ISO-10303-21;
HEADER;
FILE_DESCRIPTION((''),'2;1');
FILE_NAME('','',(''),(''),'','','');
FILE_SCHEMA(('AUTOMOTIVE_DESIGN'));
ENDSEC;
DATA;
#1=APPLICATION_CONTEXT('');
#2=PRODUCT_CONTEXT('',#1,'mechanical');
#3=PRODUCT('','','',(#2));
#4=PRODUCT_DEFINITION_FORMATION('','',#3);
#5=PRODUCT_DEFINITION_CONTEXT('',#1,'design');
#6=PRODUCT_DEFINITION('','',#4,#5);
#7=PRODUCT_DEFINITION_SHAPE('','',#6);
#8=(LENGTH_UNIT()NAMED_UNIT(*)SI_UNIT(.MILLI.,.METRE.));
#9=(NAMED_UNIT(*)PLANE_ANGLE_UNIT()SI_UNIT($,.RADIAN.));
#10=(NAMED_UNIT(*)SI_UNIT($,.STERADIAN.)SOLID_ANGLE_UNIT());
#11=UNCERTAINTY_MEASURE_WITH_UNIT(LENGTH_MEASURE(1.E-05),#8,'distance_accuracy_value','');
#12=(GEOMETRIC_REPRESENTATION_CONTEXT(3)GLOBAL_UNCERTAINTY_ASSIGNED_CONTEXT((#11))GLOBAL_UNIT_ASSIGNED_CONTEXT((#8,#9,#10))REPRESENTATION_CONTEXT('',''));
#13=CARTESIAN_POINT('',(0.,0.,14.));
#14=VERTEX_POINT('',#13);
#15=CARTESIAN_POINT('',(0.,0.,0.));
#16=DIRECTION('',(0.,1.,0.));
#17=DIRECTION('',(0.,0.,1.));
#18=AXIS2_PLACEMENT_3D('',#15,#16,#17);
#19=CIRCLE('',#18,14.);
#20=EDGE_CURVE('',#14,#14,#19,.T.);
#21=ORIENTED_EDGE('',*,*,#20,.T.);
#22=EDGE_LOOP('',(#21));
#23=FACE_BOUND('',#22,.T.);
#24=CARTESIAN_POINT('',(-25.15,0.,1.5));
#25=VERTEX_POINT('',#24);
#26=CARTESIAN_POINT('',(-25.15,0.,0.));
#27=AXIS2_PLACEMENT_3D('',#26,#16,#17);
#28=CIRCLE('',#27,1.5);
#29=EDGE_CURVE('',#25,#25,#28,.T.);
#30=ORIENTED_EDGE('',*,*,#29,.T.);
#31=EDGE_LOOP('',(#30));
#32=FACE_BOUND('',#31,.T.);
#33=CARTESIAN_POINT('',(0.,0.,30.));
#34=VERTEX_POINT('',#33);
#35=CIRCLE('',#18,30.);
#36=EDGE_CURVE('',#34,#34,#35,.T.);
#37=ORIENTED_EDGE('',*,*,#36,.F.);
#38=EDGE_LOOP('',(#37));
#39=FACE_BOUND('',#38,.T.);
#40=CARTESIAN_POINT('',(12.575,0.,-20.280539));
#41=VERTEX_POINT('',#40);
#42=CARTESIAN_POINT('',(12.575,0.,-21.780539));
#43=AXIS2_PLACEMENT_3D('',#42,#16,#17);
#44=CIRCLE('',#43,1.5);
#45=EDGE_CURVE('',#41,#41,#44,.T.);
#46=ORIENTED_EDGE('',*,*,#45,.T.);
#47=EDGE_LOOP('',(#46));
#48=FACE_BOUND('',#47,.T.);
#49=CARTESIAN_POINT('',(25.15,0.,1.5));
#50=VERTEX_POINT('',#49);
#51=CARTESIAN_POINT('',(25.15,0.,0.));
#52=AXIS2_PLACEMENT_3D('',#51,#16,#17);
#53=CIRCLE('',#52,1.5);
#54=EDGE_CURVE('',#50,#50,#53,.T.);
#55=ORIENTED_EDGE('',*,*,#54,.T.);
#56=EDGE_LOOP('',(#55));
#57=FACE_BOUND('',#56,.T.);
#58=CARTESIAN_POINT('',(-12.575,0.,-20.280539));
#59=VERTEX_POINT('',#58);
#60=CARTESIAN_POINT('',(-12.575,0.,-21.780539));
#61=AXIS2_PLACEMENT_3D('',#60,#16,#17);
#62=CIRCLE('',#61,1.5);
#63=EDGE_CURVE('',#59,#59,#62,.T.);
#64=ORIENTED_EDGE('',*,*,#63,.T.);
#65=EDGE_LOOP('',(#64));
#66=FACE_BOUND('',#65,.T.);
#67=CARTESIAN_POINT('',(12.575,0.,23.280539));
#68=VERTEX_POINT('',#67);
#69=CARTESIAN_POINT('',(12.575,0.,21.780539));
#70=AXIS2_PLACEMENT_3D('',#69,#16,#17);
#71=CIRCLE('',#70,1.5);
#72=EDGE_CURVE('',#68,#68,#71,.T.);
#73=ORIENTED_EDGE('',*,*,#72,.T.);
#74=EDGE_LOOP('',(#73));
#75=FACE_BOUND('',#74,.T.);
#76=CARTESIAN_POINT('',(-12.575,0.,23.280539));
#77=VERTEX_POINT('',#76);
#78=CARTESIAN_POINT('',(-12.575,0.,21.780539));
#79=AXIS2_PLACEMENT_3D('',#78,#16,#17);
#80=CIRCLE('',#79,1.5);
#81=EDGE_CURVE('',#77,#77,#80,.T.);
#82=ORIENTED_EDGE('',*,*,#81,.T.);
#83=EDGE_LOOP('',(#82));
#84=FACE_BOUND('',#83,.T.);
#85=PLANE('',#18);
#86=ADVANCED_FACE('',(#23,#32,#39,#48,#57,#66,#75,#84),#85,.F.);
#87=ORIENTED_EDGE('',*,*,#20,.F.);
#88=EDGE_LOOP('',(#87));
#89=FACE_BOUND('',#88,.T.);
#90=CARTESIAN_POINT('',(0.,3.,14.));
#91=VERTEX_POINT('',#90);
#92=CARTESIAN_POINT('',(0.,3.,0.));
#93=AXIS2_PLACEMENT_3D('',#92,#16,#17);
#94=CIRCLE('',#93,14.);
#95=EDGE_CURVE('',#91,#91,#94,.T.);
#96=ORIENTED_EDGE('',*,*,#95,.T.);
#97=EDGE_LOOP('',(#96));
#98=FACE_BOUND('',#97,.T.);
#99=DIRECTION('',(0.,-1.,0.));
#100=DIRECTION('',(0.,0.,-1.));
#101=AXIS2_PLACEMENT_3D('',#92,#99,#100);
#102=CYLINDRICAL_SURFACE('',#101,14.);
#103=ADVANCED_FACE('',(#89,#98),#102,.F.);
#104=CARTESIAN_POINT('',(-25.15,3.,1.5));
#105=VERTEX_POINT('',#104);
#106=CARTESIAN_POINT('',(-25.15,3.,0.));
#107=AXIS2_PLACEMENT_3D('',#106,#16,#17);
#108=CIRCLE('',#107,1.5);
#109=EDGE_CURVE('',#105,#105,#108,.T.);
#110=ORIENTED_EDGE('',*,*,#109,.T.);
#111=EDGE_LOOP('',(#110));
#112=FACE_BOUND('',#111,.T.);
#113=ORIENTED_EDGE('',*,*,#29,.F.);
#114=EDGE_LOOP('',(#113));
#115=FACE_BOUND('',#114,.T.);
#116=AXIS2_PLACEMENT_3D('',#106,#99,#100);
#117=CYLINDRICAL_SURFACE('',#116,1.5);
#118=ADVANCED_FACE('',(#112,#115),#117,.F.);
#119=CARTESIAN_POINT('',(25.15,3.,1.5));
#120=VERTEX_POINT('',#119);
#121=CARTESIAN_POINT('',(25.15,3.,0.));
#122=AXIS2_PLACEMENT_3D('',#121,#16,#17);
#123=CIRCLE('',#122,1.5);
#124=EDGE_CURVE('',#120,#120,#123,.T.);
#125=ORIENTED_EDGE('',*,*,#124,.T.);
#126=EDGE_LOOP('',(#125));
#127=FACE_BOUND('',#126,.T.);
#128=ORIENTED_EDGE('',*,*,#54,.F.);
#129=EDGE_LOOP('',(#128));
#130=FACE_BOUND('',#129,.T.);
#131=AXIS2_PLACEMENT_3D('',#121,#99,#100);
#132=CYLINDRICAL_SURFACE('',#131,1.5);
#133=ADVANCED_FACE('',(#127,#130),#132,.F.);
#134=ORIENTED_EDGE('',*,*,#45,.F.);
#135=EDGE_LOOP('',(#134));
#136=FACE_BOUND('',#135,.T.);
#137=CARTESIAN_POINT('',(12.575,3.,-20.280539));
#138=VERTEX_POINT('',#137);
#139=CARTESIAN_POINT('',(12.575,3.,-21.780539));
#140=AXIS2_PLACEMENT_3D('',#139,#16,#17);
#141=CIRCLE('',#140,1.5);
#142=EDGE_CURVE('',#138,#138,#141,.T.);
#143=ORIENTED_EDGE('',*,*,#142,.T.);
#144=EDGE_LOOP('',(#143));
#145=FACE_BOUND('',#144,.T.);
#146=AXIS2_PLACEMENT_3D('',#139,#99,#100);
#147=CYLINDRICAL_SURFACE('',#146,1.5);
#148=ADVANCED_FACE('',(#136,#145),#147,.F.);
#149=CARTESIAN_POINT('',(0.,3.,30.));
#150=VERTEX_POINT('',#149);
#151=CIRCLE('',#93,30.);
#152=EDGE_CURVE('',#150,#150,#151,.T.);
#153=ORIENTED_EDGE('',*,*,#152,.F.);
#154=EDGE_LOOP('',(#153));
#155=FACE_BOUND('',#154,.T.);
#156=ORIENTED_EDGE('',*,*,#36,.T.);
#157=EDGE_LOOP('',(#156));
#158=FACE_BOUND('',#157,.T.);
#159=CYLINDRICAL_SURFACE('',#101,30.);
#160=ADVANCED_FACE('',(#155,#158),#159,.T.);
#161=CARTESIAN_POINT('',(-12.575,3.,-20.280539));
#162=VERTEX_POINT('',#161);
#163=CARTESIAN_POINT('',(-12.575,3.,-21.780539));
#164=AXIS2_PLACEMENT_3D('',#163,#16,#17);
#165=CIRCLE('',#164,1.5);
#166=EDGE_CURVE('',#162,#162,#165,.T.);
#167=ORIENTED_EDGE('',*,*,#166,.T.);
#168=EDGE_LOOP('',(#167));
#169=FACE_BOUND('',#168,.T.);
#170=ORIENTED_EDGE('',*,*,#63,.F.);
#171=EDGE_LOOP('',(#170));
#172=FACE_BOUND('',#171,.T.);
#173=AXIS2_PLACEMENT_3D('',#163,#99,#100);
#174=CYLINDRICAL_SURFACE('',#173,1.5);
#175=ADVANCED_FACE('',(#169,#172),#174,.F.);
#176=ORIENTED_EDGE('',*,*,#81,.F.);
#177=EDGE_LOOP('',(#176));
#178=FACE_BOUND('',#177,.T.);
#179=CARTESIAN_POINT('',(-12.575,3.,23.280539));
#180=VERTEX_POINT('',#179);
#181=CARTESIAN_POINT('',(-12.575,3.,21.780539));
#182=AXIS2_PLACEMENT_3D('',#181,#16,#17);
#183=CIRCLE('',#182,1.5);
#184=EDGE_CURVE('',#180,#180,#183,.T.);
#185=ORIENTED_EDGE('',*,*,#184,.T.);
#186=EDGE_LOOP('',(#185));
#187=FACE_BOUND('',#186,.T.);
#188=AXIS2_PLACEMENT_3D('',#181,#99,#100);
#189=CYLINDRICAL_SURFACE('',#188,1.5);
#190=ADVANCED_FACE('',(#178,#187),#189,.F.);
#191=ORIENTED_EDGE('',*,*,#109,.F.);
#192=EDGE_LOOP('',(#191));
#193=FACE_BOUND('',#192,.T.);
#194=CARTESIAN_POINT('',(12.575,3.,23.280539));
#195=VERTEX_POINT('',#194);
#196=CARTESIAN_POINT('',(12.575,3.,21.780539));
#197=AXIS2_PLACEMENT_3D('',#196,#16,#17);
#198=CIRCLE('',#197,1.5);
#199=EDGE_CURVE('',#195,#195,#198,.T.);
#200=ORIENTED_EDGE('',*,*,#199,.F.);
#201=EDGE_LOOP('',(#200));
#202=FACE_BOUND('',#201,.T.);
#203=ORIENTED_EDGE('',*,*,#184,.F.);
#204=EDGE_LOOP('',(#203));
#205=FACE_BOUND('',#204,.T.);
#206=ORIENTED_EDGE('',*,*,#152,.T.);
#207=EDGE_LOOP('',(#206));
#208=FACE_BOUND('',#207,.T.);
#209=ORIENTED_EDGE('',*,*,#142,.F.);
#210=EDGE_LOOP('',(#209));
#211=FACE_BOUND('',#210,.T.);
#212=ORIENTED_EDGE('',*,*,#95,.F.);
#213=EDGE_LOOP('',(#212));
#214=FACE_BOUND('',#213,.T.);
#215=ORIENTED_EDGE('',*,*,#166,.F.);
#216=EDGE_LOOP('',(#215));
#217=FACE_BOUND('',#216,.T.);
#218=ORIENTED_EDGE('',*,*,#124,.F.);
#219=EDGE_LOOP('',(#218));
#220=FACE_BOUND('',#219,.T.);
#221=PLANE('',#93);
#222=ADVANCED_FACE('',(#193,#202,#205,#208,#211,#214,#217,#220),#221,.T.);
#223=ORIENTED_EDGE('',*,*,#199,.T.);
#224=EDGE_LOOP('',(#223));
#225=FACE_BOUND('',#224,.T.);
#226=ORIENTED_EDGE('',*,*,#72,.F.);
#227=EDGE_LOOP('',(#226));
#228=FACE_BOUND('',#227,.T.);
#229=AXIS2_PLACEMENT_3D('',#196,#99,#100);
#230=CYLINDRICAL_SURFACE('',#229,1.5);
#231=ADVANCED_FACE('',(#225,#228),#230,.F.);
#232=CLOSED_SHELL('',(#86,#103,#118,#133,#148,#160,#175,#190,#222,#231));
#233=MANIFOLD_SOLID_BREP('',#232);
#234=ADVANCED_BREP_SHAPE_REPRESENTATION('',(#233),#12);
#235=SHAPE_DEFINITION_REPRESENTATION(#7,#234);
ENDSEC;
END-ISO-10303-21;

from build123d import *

# Parameters (mm, degrees)
SKETCH1_R           = 30
SKETCH1_R_2         = 1.5
SKETCH1_R_3         = 14
BOSS_EXTRUDE1_DEPTH = 3


with BuildPart() as part:
    # Sketch1 → Boss-Extrude1 (new body)
    with BuildSketch(Plane(origin=(0, 0, 0), x_dir=(1, 0, 0), z_dir=(0, 1, 0))):
        Circle(SKETCH1_R)
        with Locations((-25.15, 0)):
            Circle(SKETCH1_R_2, mode=Mode.SUBTRACT)
        Circle(SKETCH1_R_3, mode=Mode.SUBTRACT)
        with Locations((-12.575, 21.780538905)):
            Circle(SKETCH1_R_2, mode=Mode.SUBTRACT)
        with Locations((12.575, 21.780538905)):
            Circle(SKETCH1_R_2, mode=Mode.SUBTRACT)
        with Locations((25.15, 0)):
            Circle(SKETCH1_R_2, mode=Mode.SUBTRACT)
        with Locations((12.575, -21.780538905)):
            Circle(SKETCH1_R_2, mode=Mode.SUBTRACT)
        with Locations((-12.575, -21.780538905)):
            Circle(SKETCH1_R_2, mode=Mode.SUBTRACT)
    extrude(amount=BOSS_EXTRUDE1_DEPTH)


solid = part.part
